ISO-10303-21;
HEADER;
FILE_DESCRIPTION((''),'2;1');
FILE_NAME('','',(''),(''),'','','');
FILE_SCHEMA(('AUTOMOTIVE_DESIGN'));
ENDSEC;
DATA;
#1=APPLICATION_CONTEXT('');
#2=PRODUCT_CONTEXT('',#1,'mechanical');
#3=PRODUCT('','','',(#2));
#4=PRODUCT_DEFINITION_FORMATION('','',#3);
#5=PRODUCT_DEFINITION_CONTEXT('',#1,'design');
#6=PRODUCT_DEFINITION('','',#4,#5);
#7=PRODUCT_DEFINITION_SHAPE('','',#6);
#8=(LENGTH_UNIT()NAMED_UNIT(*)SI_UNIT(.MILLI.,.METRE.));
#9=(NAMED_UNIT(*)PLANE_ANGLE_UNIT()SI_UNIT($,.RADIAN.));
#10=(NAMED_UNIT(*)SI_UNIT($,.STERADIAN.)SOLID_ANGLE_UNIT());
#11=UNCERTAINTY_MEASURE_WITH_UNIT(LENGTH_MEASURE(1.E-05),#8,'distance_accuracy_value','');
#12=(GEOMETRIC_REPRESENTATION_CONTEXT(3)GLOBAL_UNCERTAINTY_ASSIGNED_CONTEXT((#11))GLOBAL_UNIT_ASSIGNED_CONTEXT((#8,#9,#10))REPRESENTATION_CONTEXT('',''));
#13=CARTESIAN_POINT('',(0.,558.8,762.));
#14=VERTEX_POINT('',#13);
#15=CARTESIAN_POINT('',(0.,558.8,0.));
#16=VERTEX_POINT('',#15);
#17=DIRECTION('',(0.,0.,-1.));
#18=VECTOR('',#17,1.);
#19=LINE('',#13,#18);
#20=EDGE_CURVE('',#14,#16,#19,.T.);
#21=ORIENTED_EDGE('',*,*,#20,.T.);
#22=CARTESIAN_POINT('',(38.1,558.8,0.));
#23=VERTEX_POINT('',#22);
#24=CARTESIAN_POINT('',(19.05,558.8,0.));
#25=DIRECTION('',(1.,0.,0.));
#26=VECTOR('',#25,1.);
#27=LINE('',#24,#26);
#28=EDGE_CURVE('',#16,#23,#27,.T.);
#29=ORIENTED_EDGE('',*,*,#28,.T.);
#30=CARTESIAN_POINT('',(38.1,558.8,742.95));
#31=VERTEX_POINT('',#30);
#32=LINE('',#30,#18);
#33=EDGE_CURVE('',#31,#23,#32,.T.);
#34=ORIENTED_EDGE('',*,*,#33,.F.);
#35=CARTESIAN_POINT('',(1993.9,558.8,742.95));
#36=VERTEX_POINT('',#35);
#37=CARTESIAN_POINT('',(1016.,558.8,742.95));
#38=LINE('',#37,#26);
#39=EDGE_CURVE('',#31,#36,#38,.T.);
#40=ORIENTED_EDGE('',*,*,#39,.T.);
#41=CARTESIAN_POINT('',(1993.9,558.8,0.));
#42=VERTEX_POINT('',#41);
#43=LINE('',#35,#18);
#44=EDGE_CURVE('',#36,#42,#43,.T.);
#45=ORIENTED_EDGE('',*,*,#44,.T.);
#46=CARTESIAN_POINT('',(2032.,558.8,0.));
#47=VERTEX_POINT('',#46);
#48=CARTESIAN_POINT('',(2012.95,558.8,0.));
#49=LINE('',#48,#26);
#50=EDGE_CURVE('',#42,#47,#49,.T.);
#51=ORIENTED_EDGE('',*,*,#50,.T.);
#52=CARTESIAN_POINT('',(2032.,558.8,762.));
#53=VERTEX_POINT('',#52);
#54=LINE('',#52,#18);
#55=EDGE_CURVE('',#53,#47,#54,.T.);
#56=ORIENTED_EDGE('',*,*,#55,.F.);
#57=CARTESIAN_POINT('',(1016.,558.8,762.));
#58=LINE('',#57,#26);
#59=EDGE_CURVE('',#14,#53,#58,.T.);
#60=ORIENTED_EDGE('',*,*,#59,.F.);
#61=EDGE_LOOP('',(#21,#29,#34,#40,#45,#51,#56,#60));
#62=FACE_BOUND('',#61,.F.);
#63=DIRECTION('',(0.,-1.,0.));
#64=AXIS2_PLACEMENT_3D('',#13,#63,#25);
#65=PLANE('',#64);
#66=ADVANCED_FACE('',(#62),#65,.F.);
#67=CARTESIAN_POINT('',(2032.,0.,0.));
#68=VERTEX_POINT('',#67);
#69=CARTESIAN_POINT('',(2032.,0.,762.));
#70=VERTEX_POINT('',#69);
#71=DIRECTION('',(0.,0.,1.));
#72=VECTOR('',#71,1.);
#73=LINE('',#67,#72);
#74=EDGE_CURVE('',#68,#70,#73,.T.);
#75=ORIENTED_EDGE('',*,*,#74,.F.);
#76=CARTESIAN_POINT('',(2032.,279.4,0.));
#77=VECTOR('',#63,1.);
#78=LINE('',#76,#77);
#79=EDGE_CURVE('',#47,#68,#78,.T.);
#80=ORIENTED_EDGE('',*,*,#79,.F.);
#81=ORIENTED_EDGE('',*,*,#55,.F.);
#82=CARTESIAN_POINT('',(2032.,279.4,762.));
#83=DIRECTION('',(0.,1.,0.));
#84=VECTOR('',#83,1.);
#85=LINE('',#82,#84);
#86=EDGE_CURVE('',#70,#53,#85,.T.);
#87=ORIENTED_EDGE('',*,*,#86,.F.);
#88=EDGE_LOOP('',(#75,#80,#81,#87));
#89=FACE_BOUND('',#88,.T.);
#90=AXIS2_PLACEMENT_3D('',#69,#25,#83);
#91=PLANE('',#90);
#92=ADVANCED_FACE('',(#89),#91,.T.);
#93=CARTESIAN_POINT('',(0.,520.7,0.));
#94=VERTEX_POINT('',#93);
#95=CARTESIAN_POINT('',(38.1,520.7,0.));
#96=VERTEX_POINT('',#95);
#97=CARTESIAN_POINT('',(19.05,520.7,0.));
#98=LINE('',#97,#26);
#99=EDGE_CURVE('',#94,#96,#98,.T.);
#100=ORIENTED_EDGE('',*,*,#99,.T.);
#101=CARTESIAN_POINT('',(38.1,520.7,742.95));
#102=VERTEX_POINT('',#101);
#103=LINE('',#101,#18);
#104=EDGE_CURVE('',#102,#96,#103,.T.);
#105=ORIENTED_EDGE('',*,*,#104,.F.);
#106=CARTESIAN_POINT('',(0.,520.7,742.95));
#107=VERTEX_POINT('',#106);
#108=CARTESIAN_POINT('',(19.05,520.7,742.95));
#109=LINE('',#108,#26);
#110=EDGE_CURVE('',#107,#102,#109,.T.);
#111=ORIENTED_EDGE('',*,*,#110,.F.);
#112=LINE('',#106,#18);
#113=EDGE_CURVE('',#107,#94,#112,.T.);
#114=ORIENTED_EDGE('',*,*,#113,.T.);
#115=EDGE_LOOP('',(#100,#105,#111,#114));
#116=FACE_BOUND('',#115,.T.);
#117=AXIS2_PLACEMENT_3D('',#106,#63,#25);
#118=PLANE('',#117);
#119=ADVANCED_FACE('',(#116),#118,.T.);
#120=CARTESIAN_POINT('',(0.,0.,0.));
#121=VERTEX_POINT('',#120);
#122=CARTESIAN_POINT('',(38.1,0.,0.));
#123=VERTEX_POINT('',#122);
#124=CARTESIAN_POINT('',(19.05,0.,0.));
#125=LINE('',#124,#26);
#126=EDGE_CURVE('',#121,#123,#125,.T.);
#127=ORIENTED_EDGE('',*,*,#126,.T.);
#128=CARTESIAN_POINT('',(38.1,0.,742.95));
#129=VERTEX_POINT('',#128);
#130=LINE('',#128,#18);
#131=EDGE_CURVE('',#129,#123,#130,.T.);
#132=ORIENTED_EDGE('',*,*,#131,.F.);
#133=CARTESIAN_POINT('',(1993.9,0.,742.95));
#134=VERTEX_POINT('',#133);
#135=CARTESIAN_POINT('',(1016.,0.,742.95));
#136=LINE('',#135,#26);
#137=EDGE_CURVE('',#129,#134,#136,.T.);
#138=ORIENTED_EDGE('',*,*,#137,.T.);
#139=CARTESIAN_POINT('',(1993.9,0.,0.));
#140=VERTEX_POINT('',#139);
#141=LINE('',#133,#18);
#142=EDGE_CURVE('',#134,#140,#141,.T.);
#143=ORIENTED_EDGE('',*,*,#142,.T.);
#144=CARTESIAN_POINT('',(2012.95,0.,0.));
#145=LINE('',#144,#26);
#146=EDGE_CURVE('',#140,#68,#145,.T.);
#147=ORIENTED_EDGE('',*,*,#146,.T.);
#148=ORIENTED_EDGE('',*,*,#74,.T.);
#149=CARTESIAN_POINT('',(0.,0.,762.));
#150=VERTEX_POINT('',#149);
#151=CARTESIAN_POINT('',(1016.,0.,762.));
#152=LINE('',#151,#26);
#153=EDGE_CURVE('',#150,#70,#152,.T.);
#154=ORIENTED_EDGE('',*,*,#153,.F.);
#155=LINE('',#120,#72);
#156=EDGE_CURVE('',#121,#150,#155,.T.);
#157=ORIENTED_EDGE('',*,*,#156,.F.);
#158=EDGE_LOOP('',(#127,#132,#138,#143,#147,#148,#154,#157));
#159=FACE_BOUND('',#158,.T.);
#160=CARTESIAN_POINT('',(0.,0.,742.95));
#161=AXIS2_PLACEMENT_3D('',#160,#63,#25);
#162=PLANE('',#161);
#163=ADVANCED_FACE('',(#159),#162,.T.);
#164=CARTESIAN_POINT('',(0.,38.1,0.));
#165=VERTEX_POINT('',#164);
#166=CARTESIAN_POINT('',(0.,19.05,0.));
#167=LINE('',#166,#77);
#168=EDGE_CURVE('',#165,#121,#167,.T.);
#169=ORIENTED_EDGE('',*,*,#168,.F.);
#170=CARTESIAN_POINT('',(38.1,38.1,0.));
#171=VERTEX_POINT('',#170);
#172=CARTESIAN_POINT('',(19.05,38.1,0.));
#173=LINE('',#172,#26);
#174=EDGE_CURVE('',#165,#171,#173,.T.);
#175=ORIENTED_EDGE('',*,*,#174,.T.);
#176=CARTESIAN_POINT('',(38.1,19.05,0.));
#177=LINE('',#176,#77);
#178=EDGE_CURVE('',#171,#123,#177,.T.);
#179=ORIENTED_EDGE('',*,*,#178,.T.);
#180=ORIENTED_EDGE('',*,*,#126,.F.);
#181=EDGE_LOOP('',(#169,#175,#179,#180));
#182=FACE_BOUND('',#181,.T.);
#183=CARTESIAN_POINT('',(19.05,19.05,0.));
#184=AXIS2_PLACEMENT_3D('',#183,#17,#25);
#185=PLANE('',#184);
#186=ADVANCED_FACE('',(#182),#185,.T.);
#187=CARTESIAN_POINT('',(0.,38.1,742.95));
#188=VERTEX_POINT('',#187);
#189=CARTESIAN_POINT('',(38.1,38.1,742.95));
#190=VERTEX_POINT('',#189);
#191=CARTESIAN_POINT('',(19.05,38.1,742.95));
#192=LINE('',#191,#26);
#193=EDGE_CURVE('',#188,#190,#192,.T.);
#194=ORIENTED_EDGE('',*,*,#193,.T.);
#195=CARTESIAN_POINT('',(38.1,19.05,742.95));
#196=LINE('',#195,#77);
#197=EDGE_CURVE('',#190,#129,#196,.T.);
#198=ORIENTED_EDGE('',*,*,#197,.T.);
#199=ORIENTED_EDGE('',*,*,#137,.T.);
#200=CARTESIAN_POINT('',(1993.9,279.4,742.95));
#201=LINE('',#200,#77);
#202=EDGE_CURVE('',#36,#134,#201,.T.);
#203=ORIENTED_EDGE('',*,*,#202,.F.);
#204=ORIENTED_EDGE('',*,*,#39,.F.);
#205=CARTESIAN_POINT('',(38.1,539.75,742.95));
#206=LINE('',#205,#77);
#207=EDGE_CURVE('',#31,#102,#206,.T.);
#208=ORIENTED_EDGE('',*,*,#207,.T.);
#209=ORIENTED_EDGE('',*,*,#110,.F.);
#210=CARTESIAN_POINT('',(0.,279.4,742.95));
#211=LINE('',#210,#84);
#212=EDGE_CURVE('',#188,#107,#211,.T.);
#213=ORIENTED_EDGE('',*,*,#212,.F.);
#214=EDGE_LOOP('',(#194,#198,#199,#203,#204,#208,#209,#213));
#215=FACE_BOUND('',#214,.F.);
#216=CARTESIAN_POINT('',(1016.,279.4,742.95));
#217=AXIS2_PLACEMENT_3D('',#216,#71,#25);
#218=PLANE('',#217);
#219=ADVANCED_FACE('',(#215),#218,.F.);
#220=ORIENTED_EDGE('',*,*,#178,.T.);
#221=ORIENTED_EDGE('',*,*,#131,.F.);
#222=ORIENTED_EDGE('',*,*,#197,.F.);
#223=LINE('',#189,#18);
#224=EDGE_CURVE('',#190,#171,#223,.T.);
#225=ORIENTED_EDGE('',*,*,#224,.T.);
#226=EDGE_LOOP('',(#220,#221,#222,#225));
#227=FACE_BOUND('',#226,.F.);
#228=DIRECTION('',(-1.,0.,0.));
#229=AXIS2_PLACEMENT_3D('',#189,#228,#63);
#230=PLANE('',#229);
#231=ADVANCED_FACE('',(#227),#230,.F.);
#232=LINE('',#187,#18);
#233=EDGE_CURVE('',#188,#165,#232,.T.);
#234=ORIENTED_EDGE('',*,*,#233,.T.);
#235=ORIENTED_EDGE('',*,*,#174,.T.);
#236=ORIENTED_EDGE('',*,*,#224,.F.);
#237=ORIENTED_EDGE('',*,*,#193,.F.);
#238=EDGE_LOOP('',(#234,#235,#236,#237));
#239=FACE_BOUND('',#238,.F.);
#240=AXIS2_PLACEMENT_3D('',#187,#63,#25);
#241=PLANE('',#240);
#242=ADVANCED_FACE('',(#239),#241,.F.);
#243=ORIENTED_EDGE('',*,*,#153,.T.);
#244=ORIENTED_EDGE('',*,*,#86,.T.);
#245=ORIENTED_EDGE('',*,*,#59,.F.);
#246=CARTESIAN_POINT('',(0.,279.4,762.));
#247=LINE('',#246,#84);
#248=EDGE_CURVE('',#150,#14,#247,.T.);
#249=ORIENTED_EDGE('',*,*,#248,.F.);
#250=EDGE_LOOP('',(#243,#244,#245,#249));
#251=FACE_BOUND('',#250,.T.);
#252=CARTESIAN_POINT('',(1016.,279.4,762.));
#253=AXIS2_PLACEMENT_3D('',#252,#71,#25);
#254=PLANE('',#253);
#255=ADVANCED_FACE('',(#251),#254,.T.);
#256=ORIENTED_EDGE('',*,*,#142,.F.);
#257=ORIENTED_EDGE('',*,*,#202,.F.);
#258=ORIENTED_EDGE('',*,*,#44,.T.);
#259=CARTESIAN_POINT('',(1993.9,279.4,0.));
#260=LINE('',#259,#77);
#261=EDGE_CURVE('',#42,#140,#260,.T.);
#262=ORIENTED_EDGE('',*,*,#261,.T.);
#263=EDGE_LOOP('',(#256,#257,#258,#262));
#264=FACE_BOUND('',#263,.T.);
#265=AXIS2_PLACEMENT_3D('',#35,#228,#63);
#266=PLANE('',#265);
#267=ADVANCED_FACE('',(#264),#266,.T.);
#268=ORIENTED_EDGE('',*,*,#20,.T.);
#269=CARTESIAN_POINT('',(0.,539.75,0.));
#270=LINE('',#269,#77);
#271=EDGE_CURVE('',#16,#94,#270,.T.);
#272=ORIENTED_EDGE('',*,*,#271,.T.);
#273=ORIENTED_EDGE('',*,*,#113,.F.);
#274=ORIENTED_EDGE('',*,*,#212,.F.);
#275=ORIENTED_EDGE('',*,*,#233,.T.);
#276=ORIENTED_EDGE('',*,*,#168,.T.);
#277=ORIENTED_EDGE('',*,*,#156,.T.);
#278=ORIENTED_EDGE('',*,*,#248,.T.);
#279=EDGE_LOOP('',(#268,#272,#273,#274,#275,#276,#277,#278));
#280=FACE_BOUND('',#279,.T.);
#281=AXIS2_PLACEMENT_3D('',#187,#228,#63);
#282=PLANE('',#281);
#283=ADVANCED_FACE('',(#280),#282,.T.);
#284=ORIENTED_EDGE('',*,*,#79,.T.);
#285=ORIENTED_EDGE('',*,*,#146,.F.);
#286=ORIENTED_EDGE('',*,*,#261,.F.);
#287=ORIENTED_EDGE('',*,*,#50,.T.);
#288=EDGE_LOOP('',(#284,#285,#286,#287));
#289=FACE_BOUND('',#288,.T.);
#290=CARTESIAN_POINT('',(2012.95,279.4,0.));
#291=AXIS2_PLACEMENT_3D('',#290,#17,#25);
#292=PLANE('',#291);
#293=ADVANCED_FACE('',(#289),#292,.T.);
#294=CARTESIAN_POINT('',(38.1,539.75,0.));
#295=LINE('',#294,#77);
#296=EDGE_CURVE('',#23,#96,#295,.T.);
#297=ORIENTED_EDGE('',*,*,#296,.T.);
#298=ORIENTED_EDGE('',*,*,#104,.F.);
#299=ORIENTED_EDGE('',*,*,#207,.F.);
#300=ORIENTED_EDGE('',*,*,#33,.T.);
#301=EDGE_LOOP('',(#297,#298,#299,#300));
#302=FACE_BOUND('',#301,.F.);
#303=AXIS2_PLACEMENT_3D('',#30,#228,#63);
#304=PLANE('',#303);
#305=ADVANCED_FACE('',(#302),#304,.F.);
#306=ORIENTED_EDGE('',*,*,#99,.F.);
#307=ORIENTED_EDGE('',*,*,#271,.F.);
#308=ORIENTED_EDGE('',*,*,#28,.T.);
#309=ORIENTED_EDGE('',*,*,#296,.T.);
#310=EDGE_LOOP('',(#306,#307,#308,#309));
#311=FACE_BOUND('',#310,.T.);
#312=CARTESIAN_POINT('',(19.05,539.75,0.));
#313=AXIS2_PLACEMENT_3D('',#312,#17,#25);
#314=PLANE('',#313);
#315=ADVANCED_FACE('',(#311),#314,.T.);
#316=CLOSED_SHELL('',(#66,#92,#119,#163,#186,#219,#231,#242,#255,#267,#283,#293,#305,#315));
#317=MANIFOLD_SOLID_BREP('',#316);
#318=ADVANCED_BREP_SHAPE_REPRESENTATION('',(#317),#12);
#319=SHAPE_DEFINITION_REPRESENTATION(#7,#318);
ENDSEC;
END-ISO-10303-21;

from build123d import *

# Parameters (mm, degrees)
F1_W     = 2032
F1_H     = 558.8
F2_DEPTH = 19.05
F3_W     = 38.1
F3_H     = 38.1
F3_H_2   = 558.8
F4_DEPTH = 742.95


with BuildPart() as f2:
    # F1 (on offset) → F2 (new body)
    with BuildSketch(Plane.XY.offset(762)):
        with Locations((1016, 279.4)):
            Rectangle(F1_W, F1_H)
    extrude(amount=-F2_DEPTH)

    # F3 (on face) → F4 (join, through all)
    with BuildSketch(Plane(origin=(0, 0, 742.95), x_dir=(1, 0, 0), z_dir=(0, 0, -1))):
        with Locations((19.05, -19.05)):
            Rectangle(F3_W, F3_H)
        with Locations((19.05, -539.75)):
            Rectangle(F3_W, F3_H)
        with Locations((2012.95, -279.4)):
            Rectangle(F3_W, F3_H_2)
    extrude(amount=F4_DEPTH)


solid = f2.part
